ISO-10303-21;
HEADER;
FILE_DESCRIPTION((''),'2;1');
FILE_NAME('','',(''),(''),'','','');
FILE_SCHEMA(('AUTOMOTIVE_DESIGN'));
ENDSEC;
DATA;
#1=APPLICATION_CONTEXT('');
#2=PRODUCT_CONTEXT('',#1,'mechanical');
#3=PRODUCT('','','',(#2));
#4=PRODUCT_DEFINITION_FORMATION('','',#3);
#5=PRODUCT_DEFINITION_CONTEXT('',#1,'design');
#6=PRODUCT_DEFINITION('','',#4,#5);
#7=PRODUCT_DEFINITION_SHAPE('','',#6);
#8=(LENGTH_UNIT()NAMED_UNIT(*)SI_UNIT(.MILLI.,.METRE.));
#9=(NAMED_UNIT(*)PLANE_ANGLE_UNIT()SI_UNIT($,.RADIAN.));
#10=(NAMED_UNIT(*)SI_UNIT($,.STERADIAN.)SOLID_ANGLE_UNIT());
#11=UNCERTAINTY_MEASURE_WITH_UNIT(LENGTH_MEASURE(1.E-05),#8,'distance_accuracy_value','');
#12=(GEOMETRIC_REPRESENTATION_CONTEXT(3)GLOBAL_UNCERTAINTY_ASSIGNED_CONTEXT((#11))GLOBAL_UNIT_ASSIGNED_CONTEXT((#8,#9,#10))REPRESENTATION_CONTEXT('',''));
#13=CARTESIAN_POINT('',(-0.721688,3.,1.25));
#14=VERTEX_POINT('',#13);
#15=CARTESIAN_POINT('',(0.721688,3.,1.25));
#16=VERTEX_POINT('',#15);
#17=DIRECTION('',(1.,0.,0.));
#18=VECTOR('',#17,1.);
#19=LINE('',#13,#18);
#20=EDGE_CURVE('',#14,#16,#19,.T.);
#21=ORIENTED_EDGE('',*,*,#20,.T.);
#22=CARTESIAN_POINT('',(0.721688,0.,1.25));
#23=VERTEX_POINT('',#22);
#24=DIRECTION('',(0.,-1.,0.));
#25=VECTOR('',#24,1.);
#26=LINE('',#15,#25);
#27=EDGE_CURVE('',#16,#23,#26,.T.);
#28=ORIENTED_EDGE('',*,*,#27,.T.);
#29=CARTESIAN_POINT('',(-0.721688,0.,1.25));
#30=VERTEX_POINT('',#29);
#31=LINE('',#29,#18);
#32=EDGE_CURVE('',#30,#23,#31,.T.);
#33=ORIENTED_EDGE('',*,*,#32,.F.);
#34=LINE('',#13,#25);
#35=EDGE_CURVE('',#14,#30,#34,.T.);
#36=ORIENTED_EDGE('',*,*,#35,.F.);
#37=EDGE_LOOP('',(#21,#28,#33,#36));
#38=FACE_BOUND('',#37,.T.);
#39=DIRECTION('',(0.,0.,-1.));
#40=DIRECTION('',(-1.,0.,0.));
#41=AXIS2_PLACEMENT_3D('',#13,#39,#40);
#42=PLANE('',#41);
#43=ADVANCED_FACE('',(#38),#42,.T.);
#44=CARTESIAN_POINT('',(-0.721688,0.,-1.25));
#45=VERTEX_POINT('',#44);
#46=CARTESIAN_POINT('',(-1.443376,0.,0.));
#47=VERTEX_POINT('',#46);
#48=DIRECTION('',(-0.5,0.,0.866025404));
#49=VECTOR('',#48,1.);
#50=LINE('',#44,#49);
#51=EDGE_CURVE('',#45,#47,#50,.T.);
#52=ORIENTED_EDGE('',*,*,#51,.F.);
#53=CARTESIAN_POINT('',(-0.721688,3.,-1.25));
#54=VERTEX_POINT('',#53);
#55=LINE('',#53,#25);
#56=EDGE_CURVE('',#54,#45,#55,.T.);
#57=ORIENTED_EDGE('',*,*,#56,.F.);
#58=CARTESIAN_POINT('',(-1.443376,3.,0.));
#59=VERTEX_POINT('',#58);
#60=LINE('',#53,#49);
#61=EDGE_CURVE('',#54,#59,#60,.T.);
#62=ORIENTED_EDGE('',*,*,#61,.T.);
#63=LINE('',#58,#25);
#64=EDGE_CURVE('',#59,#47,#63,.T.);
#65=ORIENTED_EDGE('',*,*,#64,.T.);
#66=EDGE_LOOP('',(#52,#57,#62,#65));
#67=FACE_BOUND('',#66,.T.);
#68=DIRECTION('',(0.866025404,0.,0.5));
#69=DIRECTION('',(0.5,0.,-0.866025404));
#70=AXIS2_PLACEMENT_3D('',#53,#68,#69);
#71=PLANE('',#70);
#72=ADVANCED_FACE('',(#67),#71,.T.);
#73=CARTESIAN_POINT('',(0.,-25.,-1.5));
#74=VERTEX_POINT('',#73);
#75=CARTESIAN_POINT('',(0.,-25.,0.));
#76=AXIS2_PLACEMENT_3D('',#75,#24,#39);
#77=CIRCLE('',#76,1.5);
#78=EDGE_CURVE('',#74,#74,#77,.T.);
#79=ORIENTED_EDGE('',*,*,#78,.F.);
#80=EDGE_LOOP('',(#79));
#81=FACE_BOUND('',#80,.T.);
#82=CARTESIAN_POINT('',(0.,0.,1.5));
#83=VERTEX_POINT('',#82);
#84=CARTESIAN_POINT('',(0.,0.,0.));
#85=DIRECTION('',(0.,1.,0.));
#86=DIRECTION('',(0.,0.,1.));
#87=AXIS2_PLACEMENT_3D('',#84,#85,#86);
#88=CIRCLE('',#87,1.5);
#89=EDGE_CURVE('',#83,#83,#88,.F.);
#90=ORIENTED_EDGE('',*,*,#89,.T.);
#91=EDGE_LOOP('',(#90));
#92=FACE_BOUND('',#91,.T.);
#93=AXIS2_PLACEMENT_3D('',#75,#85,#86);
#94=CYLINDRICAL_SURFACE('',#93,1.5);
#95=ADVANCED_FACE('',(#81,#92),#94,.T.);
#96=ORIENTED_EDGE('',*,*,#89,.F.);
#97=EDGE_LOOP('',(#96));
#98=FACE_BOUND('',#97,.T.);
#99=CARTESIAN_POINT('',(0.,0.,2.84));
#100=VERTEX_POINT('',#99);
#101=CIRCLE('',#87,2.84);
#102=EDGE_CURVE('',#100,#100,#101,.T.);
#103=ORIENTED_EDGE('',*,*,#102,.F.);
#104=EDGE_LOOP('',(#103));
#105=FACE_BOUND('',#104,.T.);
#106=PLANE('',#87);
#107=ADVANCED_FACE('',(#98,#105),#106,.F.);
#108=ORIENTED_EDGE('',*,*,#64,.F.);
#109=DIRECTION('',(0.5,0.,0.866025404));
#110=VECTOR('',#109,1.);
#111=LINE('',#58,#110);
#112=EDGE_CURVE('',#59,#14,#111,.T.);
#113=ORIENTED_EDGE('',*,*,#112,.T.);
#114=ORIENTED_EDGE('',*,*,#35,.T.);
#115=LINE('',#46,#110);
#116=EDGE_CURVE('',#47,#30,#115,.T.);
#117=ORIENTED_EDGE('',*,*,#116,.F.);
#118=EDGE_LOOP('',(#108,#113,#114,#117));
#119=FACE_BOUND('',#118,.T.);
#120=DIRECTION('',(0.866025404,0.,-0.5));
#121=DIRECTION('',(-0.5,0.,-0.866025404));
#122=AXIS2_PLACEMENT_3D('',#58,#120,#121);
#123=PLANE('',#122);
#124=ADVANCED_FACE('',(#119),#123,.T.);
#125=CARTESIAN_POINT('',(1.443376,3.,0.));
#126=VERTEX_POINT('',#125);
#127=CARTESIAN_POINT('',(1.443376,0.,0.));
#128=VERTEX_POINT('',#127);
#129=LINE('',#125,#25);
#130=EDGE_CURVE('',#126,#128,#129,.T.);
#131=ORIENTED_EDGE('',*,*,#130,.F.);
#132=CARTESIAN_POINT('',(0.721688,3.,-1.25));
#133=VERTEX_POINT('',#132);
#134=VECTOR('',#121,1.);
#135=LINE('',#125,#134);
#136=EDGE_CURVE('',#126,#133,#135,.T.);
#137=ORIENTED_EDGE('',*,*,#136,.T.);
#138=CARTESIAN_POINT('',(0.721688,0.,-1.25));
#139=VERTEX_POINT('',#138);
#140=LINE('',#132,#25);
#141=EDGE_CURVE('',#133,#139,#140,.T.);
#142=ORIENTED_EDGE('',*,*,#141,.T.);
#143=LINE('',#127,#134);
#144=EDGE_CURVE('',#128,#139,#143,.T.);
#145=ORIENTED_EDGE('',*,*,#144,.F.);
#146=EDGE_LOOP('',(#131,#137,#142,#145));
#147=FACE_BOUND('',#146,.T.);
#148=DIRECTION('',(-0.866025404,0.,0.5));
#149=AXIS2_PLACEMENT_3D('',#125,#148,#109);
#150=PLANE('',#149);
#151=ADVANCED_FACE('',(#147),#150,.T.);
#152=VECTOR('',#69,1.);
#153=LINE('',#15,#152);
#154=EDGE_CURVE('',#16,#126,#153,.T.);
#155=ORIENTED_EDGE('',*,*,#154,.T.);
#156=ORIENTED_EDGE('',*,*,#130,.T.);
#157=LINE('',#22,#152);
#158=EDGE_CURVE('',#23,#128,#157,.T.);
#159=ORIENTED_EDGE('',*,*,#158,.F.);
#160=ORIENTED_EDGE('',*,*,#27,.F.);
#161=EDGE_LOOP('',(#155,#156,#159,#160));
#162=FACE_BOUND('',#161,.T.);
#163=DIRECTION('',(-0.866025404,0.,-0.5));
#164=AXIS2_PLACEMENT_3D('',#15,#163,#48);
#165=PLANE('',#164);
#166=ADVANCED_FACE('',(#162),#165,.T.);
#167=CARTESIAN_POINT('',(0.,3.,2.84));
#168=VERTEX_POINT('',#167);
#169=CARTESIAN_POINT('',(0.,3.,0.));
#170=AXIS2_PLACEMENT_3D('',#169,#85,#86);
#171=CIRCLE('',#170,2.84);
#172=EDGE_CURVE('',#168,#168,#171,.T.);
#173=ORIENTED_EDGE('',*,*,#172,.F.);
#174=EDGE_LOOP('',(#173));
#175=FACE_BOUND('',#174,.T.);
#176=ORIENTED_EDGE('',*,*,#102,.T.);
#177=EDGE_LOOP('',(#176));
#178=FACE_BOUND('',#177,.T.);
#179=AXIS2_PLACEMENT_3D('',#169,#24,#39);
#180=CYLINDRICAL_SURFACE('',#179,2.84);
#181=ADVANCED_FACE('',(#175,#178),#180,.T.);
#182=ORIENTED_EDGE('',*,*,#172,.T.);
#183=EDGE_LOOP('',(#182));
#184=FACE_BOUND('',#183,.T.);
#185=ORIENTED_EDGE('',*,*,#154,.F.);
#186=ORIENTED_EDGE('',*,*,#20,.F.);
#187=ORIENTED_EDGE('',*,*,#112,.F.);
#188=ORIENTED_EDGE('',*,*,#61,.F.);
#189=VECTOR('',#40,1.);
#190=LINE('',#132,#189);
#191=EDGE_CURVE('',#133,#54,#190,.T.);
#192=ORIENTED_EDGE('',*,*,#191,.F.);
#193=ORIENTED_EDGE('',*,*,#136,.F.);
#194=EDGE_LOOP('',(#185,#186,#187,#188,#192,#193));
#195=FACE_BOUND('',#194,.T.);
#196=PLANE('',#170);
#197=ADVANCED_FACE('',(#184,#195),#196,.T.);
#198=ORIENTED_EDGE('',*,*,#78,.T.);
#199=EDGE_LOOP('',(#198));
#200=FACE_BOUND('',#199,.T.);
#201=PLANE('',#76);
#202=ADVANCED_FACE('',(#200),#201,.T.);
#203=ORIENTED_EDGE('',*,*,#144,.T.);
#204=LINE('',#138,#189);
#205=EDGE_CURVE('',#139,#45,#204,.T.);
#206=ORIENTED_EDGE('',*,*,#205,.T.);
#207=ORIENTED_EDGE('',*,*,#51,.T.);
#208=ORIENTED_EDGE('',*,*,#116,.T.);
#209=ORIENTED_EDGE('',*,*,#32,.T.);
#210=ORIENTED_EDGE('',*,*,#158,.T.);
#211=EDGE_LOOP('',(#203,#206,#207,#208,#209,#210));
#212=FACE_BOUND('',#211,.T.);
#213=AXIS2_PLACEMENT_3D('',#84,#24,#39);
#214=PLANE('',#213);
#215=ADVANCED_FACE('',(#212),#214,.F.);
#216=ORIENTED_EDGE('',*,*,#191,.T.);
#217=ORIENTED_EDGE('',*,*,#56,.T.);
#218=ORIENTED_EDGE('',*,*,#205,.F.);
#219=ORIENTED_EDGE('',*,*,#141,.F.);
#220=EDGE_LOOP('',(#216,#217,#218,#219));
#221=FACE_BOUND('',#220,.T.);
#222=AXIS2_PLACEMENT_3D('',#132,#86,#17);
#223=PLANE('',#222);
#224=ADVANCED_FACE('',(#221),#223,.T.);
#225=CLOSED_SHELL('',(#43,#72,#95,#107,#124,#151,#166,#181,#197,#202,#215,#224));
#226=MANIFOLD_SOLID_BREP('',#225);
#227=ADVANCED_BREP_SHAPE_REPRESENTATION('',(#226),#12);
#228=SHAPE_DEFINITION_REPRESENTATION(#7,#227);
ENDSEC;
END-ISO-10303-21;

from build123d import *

# Parameters (mm, degrees)
SKETCH1_R           = 2.84
BOSS_EXTRUDE1_DEPTH = 3
SKETCH2_R           = 1.5
BOSS_EXTRUDE2_DEPTH = 25


with BuildPart() as part:
    # Sketch1 → Boss-Extrude1 (new body)
    with BuildSketch(Plane(origin=(0, 0, 0), x_dir=(1, 0, 0), z_dir=(0, 1, 0))):
        with Locations(Location((0, 0, 0), (0, 0, 270))):
            Circle(SKETCH1_R)
        Polygon((0.721687836, 1.25), (-0.721687836, 1.25), (-1.443375673, 0), (-0.721687836, -1.25), (0.721687836, -1.25), (1.443375673, 0), align=None, mode=Mode.SUBTRACT)
    extrude(amount=BOSS_EXTRUDE1_DEPTH)

    # Sketch2 → Boss-Extrude2 (add)
    with BuildSketch(Plane.XZ):
        with Locations(Location((0, 0, 0), (0, 0, 90))):
            Circle(SKETCH2_R)
    extrude(amount=BOSS_EXTRUDE2_DEPTH)


solid = part.part
